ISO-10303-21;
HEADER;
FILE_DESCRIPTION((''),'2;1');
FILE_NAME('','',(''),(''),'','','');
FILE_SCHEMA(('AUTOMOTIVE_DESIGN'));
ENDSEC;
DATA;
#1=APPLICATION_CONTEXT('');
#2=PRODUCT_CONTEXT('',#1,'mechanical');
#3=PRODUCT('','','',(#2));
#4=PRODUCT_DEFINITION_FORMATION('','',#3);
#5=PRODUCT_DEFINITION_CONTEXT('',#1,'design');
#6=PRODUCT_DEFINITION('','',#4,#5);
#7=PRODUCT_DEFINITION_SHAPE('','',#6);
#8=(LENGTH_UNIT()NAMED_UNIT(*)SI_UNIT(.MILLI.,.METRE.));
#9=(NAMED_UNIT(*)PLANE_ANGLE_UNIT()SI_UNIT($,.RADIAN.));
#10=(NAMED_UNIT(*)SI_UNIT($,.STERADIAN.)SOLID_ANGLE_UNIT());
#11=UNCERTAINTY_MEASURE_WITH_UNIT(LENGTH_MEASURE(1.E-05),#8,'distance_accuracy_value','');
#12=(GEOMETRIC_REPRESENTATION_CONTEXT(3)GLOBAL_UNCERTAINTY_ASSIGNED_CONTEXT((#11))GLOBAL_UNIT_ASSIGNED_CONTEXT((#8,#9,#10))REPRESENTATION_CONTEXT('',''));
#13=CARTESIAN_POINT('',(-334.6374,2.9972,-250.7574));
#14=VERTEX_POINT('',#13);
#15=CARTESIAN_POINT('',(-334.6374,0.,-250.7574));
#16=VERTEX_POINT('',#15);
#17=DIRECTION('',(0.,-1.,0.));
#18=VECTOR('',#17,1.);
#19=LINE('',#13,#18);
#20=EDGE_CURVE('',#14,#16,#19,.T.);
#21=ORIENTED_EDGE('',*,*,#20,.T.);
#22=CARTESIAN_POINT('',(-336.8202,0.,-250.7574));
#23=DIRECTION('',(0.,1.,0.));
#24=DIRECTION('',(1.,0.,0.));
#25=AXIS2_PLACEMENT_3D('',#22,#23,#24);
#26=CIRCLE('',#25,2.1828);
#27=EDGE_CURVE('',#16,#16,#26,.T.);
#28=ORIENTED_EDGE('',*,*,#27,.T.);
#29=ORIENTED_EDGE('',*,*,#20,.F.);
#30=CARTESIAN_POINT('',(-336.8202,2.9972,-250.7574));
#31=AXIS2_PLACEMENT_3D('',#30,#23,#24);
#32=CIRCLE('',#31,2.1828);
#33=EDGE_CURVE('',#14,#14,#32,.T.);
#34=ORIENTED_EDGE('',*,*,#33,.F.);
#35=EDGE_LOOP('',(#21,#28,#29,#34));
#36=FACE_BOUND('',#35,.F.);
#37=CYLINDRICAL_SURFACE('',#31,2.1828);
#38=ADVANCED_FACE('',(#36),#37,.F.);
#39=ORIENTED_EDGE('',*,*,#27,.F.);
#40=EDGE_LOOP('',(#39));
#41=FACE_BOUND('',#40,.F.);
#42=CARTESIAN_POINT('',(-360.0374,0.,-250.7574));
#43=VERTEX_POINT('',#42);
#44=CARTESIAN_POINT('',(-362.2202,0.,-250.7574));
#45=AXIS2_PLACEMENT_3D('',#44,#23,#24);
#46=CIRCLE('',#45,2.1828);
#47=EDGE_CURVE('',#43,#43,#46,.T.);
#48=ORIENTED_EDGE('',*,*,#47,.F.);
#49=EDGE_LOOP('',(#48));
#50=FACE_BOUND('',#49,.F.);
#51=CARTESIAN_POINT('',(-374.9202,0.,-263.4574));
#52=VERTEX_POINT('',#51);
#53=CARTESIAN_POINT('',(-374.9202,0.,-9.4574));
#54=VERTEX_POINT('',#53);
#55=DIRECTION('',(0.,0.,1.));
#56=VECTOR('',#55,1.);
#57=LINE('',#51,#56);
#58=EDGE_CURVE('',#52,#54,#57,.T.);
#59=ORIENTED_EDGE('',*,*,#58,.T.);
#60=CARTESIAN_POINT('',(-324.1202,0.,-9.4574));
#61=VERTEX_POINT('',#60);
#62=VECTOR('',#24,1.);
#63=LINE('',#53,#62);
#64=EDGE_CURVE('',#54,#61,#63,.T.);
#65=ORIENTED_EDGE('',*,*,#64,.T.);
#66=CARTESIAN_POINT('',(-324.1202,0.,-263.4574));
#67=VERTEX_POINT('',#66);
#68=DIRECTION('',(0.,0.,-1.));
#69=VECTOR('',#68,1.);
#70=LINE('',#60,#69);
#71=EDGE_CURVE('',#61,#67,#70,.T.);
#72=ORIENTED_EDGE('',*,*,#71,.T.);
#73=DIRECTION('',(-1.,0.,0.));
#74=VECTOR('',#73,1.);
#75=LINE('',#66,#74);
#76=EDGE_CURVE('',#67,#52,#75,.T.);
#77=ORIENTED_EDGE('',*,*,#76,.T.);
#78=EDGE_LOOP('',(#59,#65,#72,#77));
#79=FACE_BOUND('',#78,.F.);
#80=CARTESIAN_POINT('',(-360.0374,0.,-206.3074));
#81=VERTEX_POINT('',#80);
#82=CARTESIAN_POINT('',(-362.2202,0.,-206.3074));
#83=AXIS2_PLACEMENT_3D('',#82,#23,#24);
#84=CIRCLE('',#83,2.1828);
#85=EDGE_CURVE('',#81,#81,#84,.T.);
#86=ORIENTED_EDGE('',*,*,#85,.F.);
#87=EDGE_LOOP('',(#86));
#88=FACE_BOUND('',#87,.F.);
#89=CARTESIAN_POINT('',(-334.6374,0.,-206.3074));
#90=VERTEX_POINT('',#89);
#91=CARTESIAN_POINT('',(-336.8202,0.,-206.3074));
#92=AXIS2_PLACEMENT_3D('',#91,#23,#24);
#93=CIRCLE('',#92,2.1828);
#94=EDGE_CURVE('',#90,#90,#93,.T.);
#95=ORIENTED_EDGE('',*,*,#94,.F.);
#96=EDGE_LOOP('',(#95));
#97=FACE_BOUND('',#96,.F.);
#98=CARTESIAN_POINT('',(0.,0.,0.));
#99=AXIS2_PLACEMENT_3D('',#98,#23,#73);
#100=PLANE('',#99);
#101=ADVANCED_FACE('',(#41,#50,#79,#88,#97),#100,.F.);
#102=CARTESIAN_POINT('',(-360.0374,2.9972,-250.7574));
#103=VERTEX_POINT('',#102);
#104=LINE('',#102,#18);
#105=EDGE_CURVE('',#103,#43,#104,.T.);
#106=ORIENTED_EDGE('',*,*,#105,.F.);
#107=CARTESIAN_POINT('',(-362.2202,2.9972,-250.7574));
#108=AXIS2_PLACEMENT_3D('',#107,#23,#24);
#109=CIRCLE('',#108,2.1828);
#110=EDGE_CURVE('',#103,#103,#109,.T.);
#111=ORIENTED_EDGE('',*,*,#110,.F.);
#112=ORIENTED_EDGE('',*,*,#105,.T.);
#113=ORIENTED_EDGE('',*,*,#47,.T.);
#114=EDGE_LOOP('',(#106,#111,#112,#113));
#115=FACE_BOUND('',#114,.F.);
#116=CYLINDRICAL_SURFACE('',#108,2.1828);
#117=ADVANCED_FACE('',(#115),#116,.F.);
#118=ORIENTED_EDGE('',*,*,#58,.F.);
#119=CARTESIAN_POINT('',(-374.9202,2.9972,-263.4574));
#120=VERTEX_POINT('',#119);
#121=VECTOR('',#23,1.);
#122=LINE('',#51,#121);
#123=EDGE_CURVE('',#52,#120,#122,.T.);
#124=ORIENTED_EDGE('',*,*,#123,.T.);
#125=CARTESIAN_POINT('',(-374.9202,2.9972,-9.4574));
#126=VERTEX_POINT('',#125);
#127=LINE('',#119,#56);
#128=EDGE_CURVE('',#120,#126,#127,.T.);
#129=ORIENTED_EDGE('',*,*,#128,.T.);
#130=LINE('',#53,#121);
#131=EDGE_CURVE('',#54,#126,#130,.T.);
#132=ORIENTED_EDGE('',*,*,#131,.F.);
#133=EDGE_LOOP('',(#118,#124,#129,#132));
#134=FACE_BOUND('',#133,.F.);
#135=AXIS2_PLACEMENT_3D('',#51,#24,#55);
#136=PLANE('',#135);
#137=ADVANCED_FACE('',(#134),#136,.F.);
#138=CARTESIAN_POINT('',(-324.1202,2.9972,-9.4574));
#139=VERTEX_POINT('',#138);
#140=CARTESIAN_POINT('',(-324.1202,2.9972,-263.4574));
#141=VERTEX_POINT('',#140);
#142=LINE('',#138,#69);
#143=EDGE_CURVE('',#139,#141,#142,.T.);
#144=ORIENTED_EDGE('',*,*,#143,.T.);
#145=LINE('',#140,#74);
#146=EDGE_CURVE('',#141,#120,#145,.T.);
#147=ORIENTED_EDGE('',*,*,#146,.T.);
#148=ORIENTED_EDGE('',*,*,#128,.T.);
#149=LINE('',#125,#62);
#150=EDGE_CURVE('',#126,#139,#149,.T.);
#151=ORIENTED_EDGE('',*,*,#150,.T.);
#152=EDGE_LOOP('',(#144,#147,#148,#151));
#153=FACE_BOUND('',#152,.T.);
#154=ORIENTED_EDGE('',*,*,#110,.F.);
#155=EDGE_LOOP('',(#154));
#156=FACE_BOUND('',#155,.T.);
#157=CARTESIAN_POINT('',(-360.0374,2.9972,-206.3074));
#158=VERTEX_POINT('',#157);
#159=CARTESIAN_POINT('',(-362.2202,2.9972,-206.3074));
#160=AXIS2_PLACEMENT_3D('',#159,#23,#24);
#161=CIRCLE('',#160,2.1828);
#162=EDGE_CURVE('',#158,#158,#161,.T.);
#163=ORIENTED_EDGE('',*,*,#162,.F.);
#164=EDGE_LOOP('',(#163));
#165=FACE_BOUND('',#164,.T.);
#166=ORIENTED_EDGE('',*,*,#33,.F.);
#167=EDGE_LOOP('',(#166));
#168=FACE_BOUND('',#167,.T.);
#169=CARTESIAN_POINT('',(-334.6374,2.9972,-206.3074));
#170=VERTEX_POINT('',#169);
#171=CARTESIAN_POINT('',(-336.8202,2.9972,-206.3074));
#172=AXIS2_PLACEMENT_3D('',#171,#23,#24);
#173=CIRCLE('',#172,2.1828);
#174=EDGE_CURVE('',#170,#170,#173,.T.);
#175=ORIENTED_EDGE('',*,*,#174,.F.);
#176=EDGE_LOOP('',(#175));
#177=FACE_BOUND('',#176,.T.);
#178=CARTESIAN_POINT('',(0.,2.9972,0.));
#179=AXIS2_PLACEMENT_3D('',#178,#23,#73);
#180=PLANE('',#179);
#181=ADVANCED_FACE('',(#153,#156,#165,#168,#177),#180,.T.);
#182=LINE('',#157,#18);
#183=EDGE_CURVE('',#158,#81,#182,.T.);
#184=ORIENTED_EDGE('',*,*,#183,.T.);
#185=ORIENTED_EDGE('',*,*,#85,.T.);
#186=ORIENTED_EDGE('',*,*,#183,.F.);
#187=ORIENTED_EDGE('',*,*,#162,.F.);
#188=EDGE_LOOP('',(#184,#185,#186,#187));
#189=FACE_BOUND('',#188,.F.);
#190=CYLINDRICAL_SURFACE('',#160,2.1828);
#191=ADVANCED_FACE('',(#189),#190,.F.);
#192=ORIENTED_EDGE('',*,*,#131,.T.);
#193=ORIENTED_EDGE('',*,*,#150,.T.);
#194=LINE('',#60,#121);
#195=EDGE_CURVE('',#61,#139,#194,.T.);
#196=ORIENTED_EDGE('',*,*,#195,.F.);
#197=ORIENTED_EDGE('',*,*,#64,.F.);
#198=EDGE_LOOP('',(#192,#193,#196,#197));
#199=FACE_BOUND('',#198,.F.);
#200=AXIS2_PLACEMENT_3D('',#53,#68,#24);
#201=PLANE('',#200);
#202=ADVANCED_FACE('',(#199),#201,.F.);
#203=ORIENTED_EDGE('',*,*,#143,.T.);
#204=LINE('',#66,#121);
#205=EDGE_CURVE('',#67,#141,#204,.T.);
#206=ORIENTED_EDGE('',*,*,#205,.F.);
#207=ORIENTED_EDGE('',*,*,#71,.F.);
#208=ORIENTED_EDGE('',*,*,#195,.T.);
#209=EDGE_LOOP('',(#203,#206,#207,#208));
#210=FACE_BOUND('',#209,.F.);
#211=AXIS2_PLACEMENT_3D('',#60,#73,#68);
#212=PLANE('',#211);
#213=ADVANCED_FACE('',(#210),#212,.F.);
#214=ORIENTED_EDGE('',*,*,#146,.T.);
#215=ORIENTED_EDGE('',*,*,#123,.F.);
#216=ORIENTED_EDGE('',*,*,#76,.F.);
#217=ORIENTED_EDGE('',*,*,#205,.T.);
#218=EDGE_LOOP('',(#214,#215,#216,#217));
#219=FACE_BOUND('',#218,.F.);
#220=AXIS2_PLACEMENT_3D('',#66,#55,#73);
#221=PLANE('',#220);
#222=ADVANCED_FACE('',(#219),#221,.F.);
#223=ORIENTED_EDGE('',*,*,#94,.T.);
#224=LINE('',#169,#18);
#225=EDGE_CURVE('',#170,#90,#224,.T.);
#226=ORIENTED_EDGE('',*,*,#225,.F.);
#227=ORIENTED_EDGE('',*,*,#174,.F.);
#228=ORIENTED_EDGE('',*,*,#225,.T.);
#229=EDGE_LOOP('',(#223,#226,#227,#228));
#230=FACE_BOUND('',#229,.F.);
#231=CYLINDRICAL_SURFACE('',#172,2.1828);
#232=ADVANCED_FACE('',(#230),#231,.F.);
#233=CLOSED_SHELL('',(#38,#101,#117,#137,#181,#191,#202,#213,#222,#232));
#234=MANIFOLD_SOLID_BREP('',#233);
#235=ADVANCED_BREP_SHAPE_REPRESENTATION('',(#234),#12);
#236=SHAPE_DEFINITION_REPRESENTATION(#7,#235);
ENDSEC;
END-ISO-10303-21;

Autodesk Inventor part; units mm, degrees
ref_plane "YZ Plane" through (0, 0, 0) normal (1, 0, 0) x (0, 1, 0)
ref_plane "XZ Plane" through (0, 0, 0) normal (0, 1, 0) x (-1, 0, 0)
ref_plane "XY Plane" through (0, 0, 0) normal (0, 0, 1) x (1, 0, 0)
sketch "Sketch1" plane through (0, 0, 0) normal (0, 1, 0) x (-1, 0, 0)
  line L0 (374.9202, -9.4574) -> (324.1202, -9.4574)
  line L1 (324.1202, -9.4574) -> (324.1202, -263.4574)
  line L2 (324.1202, -263.4574) -> (374.9202, -263.4574)
  line L3 (374.9202, -263.4574) -> (374.9202, -9.4574)
  point P0 (0, 0)
  dimension "d0" = 254
  dimension "d1" = 50.8
extrude "Extrusion1" add sketch "Sketch1" along normal blind 2.9972
sketch "Sketch2" plane through (0, 2.9972, 0) normal (0, 1, 0) x (1, 0, 0)
  line L0 (-336.8202, 206.3074) -> (-362.2202, 206.3074) construction
  line L1 (-362.2202, 206.3074) -> (-362.2202, 250.7574) construction
  line L2 (-362.2202, 250.7574) -> (-336.8202, 250.7574) construction
  line L3 (-336.8202, 250.7574) -> (-336.8202, 206.3074) construction
  line L4 (-336.8202, 206.3074) -> (-362.2202, 250.7574) construction
  line L5 (-362.2202, 206.3074) -> (-336.8202, 250.7574) construction
  line L6 (-324.1202, 263.4574) -> (-374.9202, 263.4574) projected
  line L7 (-349.5202, 228.5324) -> (-349.5202, 263.4574) construction
  circle A0 centre (-362.2202, 250.7574) radius 2.1828
  circle A1 centre (-336.8202, 250.7574) radius 2.1828
  circle A2 centre (-336.8202, 206.3074) radius 2.1828
  circle A3 centre (-362.2202, 206.3074) radius 2.1828
  point P0 (0, 0)
  dimension "d4" = 25.4
  dimension "d5" = 44.45
  dimension "d6" = 12.7
  dimension "d7" = 4.3656
extrude "Extrusion2" cut sketch "Sketch2" against normal through all
properties part number "10x2 Lexan" material "Polycarbonate, Clear"
